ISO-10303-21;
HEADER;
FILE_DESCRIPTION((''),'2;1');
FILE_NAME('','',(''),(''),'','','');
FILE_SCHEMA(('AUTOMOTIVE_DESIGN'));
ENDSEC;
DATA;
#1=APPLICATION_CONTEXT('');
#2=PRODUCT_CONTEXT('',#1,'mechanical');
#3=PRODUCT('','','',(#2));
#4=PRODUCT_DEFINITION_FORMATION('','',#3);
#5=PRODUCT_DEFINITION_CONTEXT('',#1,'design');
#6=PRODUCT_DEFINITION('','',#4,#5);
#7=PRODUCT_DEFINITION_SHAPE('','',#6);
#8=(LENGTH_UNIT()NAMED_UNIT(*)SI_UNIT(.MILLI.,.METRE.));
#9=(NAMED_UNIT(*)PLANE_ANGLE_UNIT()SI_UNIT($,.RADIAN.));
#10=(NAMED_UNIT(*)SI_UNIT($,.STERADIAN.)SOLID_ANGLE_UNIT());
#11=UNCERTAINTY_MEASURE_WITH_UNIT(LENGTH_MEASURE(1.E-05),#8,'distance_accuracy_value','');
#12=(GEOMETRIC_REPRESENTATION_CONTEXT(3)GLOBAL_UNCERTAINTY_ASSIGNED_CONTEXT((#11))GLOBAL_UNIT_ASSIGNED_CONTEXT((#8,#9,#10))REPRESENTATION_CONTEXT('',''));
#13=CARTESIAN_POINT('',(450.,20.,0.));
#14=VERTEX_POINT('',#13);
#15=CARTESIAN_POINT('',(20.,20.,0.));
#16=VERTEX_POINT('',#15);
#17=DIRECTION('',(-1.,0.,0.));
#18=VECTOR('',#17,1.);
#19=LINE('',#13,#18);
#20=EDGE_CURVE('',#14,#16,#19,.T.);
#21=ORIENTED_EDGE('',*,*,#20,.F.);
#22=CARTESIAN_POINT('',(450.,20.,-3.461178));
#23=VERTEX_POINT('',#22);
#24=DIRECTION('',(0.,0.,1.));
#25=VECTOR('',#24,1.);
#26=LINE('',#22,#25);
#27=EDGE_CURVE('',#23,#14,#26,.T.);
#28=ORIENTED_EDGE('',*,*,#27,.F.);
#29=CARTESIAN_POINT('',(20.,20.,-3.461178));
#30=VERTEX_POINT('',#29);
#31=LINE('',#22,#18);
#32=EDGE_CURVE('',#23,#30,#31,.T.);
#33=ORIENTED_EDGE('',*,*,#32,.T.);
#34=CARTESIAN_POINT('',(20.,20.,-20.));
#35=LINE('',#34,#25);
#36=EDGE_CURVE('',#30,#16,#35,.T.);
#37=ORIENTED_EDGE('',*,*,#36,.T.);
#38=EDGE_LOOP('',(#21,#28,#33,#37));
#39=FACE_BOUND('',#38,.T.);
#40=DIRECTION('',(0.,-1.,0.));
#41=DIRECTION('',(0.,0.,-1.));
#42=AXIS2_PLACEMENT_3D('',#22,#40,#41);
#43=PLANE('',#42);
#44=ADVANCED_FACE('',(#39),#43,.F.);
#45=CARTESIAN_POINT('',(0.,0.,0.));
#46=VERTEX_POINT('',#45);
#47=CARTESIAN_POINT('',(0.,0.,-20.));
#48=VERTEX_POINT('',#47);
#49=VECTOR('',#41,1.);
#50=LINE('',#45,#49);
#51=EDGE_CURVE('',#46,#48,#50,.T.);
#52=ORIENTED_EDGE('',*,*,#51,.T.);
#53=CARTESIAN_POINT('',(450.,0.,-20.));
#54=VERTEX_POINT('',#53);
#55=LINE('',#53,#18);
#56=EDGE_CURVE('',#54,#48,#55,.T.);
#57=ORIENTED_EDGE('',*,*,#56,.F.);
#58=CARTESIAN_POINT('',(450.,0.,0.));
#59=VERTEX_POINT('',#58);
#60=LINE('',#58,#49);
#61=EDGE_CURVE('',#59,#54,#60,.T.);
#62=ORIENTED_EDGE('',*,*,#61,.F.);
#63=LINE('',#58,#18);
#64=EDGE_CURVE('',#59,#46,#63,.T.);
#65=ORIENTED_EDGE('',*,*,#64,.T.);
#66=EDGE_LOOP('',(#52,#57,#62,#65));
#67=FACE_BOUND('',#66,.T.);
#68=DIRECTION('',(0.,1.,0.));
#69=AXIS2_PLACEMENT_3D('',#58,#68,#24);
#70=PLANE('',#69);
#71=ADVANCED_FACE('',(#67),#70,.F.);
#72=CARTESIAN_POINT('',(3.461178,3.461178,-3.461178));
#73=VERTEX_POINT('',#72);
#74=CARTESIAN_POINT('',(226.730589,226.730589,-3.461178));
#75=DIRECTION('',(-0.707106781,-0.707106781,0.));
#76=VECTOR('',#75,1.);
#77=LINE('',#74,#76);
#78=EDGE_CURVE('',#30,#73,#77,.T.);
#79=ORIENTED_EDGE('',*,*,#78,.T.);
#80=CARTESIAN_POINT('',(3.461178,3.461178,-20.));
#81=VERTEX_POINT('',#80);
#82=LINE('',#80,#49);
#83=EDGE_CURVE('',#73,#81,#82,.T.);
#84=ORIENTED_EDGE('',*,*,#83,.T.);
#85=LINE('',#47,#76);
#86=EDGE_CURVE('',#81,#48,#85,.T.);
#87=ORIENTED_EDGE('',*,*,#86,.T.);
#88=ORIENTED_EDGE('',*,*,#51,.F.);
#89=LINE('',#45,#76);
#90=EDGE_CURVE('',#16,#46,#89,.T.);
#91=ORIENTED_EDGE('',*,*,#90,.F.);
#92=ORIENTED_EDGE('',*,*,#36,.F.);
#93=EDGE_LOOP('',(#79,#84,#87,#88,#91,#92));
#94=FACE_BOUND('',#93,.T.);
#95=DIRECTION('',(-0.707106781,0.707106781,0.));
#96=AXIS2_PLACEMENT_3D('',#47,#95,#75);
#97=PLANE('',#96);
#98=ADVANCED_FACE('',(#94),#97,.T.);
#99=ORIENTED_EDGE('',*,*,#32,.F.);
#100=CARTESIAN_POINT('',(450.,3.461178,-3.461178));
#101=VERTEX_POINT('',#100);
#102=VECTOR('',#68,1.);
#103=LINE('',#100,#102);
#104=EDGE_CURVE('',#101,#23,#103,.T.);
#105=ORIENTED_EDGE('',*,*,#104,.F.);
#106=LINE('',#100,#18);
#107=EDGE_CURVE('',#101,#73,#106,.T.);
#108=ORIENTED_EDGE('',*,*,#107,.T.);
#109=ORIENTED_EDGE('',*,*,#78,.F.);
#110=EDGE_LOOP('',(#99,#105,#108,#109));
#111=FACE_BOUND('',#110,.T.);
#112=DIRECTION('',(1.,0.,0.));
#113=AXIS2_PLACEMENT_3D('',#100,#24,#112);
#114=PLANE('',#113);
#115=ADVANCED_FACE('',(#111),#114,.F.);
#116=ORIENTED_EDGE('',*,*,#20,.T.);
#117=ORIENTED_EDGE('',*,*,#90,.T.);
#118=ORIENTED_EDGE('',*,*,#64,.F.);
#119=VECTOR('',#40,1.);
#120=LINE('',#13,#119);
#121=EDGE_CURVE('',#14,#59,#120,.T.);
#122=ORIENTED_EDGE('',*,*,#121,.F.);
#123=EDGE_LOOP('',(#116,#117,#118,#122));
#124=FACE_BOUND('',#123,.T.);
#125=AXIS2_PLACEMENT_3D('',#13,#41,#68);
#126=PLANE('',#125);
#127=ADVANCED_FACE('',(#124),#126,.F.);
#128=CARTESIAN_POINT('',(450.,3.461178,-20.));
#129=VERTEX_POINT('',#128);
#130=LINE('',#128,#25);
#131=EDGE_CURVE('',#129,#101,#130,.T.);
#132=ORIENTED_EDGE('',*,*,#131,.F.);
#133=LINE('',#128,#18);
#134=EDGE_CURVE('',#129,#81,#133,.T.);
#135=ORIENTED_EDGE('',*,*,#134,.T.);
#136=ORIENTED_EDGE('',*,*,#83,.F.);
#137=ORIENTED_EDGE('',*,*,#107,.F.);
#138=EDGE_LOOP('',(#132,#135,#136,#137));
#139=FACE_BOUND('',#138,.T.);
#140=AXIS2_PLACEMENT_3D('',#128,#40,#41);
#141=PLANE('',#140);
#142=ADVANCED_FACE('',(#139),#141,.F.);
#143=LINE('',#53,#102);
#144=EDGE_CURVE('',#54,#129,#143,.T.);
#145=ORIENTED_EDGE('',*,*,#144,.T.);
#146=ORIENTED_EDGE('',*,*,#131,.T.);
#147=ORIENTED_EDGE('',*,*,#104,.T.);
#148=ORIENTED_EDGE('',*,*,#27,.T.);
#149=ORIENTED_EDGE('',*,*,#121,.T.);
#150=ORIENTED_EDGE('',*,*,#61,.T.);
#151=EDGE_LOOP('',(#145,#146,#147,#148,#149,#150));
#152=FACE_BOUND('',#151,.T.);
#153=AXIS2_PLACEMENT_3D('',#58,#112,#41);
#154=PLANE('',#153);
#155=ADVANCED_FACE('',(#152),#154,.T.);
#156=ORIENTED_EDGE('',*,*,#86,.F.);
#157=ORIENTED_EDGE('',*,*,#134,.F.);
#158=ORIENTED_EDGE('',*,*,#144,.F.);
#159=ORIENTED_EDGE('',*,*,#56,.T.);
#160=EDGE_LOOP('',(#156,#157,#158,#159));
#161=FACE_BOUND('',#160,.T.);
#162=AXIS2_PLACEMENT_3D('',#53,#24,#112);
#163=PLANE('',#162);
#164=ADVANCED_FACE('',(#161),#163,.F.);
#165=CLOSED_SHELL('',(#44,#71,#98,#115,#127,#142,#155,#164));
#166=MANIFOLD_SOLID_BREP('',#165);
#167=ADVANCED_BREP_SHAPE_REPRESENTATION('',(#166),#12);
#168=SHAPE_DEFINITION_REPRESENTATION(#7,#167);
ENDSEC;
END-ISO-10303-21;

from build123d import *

# Parameters (mm, degrees)
BOSS_EXTRUDE1_DEPTH = 450
CUT_EXTRUDE1_DEPTH  = 451.888012704


with BuildPart() as part:
    # Sketch1 → Boss-Extrude1 (new body)
    with BuildSketch(Plane(origin=(0, 0, 0), x_dir=(0, 0, -1), z_dir=(1, 0, 0))):
        Polygon((0, 0), (20, 0), (20, 3.461178467), (3.461178467, 3.461178467), (3.461178467, 20), (0, 20), align=None)
    extrude(amount=BOSS_EXTRUDE1_DEPTH)

    # Sketch2 → Cut-Extrude1 (cut, through all)
    with BuildSketch(Plane(origin=(0, 0, 0), x_dir=(1, 0, 0), z_dir=(0, 0, -1))):
        Polygon((0, -20), (0, 0), (20, -20), align=None)
    extrude(amount=CUT_EXTRUDE1_DEPTH, mode=Mode.SUBTRACT)


solid = part.part
